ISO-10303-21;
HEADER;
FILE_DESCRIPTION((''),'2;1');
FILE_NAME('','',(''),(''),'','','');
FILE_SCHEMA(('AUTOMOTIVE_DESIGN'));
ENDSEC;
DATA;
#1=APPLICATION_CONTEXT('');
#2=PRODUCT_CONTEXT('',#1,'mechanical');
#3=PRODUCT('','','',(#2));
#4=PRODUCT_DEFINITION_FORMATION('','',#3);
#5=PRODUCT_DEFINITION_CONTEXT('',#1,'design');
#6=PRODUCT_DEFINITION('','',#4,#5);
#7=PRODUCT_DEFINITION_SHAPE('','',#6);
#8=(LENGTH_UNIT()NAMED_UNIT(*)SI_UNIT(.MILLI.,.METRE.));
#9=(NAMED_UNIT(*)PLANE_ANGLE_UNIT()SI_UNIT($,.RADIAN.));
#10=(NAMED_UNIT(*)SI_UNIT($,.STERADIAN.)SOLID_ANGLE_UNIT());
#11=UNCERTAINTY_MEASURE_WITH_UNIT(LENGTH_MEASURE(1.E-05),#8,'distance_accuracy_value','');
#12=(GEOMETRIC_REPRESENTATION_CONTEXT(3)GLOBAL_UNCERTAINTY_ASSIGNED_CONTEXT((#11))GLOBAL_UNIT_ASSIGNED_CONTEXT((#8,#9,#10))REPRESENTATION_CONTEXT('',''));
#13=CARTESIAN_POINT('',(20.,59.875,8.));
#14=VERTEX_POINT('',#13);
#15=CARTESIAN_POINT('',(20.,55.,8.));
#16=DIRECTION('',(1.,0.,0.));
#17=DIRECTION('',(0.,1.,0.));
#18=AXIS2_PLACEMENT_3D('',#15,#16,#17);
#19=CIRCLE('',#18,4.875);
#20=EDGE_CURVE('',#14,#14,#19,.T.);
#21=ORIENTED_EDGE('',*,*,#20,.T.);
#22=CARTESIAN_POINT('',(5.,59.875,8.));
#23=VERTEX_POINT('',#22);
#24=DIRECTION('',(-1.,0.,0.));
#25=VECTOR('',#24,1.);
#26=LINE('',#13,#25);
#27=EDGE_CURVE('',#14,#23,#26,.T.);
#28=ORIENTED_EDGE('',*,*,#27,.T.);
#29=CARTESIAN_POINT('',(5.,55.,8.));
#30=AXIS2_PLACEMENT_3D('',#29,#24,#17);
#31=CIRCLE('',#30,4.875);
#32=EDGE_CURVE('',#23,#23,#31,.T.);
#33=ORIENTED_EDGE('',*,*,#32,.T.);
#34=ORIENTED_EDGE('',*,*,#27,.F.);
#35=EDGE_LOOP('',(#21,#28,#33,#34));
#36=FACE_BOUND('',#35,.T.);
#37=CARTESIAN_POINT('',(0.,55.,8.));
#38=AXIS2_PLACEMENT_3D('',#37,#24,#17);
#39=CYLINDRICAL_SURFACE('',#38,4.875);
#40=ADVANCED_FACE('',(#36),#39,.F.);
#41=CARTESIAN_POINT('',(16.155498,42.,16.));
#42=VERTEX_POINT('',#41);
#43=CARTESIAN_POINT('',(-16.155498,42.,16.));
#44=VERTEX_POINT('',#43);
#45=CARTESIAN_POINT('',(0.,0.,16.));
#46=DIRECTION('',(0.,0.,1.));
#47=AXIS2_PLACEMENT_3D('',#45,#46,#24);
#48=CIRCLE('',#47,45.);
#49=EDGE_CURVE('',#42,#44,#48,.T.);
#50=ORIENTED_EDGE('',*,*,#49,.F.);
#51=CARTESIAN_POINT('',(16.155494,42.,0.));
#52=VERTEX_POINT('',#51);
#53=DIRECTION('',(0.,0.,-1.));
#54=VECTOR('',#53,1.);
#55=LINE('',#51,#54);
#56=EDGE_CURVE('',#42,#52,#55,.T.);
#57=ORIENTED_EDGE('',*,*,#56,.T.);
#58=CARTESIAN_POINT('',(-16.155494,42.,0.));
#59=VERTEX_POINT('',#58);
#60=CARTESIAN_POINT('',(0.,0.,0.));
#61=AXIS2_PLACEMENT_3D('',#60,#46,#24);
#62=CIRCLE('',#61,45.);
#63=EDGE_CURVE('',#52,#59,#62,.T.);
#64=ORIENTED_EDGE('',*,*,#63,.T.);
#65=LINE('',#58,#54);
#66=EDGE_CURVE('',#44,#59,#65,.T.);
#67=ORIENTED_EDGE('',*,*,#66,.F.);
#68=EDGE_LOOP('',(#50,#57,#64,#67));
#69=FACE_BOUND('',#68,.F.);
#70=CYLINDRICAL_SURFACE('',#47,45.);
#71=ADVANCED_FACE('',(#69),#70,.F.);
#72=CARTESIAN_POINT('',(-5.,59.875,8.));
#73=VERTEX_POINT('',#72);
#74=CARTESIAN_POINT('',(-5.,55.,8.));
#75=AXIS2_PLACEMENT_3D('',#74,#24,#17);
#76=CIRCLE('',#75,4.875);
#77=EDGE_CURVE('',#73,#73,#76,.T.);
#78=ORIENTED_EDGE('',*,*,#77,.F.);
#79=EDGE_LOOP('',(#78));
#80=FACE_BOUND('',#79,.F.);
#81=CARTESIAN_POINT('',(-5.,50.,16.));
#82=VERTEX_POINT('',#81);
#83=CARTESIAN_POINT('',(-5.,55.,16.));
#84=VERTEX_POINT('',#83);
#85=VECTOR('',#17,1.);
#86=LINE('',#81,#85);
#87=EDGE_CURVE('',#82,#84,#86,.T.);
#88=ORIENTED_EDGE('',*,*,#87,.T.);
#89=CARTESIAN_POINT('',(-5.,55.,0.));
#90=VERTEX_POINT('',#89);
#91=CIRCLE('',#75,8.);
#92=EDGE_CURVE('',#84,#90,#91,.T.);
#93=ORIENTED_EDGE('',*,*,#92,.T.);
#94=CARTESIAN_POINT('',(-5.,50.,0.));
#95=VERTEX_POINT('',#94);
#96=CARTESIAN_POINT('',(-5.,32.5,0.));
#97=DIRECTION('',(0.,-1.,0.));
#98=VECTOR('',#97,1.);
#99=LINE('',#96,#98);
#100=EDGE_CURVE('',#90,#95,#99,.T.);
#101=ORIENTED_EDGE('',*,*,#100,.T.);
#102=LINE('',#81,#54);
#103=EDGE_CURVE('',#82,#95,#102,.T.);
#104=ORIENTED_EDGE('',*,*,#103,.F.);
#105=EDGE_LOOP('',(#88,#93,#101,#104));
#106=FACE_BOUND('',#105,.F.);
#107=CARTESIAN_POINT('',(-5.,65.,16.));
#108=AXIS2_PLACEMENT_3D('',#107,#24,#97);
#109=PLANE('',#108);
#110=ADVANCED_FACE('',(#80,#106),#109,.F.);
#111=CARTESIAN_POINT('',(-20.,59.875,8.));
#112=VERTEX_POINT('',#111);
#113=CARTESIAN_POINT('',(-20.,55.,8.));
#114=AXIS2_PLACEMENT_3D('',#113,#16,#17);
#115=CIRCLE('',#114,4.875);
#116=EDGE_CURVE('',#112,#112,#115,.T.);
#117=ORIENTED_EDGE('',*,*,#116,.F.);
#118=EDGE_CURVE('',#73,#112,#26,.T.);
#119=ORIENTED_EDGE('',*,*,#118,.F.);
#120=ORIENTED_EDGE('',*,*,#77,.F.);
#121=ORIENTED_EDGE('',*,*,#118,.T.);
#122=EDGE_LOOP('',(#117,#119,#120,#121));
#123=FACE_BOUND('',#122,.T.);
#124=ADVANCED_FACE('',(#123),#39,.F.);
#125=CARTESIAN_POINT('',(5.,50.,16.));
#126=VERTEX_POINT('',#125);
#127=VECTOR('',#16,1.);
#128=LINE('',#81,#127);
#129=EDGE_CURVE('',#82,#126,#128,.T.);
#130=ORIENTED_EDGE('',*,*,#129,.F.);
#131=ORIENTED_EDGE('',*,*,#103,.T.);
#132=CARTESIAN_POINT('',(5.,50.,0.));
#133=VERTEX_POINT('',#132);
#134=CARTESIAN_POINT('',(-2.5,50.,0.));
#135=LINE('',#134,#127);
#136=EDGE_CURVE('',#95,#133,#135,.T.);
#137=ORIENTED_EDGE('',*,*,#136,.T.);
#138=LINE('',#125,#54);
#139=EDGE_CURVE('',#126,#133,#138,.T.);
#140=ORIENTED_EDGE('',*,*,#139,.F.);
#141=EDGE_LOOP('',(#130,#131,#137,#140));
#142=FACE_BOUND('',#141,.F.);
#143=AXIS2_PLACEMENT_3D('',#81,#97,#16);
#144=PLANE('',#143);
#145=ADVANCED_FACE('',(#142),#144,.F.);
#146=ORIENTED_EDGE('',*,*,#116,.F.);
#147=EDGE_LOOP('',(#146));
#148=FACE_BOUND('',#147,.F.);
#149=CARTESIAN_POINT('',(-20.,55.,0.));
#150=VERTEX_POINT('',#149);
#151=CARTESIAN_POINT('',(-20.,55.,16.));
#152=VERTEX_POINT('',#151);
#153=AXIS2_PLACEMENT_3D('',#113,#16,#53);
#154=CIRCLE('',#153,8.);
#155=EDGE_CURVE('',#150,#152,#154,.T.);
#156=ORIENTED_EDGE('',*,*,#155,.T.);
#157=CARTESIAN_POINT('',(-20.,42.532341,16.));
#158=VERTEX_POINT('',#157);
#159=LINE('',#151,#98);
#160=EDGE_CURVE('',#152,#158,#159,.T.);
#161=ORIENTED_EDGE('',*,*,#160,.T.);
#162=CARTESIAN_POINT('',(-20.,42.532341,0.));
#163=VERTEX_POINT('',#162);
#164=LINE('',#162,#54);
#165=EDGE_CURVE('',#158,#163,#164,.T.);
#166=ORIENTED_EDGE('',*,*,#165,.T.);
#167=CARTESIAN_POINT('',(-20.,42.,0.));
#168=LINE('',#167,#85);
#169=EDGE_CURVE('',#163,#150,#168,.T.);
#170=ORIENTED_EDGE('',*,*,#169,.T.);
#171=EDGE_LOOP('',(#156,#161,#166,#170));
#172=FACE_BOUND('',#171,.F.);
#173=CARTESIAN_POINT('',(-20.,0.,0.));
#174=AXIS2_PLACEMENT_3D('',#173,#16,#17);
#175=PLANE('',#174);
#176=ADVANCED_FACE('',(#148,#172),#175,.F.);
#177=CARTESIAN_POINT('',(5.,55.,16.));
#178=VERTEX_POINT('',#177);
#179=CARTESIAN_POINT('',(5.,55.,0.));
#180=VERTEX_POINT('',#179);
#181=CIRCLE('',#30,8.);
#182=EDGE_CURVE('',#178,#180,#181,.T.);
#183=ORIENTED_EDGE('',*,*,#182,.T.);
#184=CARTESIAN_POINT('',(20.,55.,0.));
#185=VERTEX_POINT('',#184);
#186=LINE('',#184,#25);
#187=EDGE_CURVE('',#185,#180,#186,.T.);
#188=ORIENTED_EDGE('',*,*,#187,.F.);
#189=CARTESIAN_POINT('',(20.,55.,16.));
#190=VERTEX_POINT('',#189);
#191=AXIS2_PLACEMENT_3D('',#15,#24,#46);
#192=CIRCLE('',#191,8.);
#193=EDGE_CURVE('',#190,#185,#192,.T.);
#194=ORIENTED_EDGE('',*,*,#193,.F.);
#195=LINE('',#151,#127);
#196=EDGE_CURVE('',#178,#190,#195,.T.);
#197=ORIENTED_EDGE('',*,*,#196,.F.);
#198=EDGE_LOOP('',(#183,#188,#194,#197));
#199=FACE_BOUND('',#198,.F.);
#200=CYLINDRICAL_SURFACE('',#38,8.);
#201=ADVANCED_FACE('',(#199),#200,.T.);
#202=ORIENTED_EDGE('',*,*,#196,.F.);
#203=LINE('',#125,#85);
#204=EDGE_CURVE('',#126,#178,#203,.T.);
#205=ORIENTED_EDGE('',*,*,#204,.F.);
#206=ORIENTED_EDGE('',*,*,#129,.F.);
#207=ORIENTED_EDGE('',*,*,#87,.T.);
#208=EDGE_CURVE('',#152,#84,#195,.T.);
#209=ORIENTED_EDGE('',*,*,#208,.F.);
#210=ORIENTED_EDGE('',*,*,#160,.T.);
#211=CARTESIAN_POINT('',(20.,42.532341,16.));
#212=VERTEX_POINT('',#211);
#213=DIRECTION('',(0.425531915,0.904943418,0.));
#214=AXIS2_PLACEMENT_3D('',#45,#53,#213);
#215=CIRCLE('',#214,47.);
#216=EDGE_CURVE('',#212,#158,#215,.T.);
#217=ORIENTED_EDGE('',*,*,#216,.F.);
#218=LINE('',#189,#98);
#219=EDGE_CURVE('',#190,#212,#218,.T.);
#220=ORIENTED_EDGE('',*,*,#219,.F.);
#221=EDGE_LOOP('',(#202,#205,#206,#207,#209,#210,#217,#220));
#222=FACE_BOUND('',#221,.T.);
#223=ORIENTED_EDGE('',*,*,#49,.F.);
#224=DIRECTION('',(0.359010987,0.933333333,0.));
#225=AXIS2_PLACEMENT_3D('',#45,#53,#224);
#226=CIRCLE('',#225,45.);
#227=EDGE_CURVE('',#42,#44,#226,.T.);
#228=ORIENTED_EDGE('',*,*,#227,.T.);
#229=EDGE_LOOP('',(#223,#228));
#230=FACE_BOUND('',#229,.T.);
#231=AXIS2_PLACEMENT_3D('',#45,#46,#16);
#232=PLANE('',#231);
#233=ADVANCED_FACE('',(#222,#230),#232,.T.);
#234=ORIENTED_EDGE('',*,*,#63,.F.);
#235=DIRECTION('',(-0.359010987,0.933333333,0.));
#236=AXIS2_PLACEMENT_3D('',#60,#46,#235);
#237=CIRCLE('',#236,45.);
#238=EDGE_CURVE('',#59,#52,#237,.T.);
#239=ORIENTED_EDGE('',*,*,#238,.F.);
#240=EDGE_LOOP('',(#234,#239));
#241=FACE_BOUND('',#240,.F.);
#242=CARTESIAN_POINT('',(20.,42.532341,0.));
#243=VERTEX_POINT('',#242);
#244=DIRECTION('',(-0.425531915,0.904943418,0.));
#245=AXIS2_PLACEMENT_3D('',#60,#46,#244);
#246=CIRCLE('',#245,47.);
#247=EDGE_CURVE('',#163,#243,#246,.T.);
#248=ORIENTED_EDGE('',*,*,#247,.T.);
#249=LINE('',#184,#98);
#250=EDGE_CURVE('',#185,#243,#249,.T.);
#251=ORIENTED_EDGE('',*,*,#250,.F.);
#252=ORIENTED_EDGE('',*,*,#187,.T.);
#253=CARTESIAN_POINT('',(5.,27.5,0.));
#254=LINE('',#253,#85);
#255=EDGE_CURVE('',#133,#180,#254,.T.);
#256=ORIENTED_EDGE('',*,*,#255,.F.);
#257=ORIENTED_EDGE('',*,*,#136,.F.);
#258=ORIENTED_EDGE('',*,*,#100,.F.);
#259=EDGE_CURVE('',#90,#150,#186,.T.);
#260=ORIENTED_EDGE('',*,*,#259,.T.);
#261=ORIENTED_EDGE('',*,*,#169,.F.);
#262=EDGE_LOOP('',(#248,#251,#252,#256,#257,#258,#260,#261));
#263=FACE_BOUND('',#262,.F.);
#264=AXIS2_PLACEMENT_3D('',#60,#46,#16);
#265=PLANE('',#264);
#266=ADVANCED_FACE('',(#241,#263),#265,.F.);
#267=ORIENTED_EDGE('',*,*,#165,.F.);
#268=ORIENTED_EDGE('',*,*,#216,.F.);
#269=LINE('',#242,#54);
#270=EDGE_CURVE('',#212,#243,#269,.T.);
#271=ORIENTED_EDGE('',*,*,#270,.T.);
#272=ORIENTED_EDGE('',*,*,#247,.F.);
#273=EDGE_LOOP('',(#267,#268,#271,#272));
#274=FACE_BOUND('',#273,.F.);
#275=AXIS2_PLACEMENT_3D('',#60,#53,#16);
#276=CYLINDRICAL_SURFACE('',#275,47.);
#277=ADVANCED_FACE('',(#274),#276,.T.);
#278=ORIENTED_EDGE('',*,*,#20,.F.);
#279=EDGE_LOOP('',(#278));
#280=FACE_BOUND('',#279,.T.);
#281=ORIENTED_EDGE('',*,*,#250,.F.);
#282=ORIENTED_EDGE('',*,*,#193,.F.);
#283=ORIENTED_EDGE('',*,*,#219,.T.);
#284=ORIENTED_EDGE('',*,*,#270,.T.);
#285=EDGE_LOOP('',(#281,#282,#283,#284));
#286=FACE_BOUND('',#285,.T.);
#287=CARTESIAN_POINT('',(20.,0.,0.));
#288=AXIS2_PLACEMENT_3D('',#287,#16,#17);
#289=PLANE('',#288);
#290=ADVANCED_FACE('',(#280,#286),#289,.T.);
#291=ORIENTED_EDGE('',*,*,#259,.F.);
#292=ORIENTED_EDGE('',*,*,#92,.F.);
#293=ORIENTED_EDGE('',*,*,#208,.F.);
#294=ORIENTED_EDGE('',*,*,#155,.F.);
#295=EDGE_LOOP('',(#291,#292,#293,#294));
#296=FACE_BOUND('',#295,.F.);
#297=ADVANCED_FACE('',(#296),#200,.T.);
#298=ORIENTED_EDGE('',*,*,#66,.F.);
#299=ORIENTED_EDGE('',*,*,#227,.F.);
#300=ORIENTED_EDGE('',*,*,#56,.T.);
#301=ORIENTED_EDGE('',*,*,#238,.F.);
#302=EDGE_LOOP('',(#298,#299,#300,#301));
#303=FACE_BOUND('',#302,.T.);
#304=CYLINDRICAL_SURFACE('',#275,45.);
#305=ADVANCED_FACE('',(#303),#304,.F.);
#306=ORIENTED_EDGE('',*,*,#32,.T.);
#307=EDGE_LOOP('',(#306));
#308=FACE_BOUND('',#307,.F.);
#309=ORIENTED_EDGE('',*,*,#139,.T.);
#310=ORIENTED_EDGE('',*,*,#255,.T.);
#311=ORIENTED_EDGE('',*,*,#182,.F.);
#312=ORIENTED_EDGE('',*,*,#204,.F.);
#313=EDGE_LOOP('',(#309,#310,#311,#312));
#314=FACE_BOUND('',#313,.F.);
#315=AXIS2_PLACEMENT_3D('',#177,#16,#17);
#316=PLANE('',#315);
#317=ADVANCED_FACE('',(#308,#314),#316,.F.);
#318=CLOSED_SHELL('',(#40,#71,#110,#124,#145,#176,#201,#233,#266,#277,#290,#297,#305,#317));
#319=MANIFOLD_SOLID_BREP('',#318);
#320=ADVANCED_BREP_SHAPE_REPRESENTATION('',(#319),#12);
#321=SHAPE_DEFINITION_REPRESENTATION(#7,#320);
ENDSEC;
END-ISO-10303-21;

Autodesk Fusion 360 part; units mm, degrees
sketch "Sketch1" plane through (0, 0, 0) normal (0, 0, 1) x (1, 0, 0)
  circle A0 centre (0, 0) radius 45
  circle A1 centre (0, 0) radius 47
  dimension "d1" = 90
  dimension "d3" = 2
extrude "Extrude1" add sketch "Sketch1" along normal blind 16
ref_plane "WorkPlane1" through (55, 0, 0) normal (1, 0, 0) x (0, 1, 0)
sketch "Sketch2" plane through (55, 0, 0) normal (1, 0, 0) x (0, 1, 0)
  circle A0 centre (55, 8) radius 4.875
  circle A1 centre (55, 8) radius 8
  line L0 (47, 16) -> (-47, 16)
  line L1 (47, 0) -> (-47, 0)
  line L2 (47, 16) -> (55, 16)
  line L3 (47, 0) -> (55, 0)
  line L4 (47, 16) -> (42, 16)
  line L5 (42, 16) -> (42, 0)
  line L6 (42, 0) -> (47, 0)
  line L7 (47, 0) -> (47, 16)
  dimension "d7" = 9.75
  dimension "d10" = 5
extrude "Extrude2" add sketch "Sketch2" along normal mid plane 40 from surface at -55
sketch "Sketch3" plane through (0, 0, 16) normal (0, 0, 1) x (-1, 0, 0)
  arc A0 (20, -42.5323) -> (-20, -42.5323) centre (0, 0) ccw
  line L0 (-20, -42.5323) -> (-20, -55)
  line L1 (-20, -55) -> (20, -55)
  line L2 (20, -55) -> (20, -42.5323)
  arc A1 (16.1555, -42) -> (-16.1555, -42) centre (0, 0) ccw
  line L3 (16.1555, -42) -> (-16.1555, -42)
  circle A2 centre (0, 0) radius 45
  line L4 (5, -50) -> (-5, -50)
  line L5 (-5, -50) -> (-5, -65)
  line L6 (-5, -65) -> (5, -65)
  line L7 (5, -65) -> (5, -50)
  dimension "d13" = 5
  dimension "d14" = 5
  dimension "d15" = 50
  dimension "d16" = 15
extrude "Extrude3" cut sketch "Sketch3" against normal through all contours L1 L5 L6 L7 | L1 L4 L5 L7 | A1 L3 A2 | L3 A2
